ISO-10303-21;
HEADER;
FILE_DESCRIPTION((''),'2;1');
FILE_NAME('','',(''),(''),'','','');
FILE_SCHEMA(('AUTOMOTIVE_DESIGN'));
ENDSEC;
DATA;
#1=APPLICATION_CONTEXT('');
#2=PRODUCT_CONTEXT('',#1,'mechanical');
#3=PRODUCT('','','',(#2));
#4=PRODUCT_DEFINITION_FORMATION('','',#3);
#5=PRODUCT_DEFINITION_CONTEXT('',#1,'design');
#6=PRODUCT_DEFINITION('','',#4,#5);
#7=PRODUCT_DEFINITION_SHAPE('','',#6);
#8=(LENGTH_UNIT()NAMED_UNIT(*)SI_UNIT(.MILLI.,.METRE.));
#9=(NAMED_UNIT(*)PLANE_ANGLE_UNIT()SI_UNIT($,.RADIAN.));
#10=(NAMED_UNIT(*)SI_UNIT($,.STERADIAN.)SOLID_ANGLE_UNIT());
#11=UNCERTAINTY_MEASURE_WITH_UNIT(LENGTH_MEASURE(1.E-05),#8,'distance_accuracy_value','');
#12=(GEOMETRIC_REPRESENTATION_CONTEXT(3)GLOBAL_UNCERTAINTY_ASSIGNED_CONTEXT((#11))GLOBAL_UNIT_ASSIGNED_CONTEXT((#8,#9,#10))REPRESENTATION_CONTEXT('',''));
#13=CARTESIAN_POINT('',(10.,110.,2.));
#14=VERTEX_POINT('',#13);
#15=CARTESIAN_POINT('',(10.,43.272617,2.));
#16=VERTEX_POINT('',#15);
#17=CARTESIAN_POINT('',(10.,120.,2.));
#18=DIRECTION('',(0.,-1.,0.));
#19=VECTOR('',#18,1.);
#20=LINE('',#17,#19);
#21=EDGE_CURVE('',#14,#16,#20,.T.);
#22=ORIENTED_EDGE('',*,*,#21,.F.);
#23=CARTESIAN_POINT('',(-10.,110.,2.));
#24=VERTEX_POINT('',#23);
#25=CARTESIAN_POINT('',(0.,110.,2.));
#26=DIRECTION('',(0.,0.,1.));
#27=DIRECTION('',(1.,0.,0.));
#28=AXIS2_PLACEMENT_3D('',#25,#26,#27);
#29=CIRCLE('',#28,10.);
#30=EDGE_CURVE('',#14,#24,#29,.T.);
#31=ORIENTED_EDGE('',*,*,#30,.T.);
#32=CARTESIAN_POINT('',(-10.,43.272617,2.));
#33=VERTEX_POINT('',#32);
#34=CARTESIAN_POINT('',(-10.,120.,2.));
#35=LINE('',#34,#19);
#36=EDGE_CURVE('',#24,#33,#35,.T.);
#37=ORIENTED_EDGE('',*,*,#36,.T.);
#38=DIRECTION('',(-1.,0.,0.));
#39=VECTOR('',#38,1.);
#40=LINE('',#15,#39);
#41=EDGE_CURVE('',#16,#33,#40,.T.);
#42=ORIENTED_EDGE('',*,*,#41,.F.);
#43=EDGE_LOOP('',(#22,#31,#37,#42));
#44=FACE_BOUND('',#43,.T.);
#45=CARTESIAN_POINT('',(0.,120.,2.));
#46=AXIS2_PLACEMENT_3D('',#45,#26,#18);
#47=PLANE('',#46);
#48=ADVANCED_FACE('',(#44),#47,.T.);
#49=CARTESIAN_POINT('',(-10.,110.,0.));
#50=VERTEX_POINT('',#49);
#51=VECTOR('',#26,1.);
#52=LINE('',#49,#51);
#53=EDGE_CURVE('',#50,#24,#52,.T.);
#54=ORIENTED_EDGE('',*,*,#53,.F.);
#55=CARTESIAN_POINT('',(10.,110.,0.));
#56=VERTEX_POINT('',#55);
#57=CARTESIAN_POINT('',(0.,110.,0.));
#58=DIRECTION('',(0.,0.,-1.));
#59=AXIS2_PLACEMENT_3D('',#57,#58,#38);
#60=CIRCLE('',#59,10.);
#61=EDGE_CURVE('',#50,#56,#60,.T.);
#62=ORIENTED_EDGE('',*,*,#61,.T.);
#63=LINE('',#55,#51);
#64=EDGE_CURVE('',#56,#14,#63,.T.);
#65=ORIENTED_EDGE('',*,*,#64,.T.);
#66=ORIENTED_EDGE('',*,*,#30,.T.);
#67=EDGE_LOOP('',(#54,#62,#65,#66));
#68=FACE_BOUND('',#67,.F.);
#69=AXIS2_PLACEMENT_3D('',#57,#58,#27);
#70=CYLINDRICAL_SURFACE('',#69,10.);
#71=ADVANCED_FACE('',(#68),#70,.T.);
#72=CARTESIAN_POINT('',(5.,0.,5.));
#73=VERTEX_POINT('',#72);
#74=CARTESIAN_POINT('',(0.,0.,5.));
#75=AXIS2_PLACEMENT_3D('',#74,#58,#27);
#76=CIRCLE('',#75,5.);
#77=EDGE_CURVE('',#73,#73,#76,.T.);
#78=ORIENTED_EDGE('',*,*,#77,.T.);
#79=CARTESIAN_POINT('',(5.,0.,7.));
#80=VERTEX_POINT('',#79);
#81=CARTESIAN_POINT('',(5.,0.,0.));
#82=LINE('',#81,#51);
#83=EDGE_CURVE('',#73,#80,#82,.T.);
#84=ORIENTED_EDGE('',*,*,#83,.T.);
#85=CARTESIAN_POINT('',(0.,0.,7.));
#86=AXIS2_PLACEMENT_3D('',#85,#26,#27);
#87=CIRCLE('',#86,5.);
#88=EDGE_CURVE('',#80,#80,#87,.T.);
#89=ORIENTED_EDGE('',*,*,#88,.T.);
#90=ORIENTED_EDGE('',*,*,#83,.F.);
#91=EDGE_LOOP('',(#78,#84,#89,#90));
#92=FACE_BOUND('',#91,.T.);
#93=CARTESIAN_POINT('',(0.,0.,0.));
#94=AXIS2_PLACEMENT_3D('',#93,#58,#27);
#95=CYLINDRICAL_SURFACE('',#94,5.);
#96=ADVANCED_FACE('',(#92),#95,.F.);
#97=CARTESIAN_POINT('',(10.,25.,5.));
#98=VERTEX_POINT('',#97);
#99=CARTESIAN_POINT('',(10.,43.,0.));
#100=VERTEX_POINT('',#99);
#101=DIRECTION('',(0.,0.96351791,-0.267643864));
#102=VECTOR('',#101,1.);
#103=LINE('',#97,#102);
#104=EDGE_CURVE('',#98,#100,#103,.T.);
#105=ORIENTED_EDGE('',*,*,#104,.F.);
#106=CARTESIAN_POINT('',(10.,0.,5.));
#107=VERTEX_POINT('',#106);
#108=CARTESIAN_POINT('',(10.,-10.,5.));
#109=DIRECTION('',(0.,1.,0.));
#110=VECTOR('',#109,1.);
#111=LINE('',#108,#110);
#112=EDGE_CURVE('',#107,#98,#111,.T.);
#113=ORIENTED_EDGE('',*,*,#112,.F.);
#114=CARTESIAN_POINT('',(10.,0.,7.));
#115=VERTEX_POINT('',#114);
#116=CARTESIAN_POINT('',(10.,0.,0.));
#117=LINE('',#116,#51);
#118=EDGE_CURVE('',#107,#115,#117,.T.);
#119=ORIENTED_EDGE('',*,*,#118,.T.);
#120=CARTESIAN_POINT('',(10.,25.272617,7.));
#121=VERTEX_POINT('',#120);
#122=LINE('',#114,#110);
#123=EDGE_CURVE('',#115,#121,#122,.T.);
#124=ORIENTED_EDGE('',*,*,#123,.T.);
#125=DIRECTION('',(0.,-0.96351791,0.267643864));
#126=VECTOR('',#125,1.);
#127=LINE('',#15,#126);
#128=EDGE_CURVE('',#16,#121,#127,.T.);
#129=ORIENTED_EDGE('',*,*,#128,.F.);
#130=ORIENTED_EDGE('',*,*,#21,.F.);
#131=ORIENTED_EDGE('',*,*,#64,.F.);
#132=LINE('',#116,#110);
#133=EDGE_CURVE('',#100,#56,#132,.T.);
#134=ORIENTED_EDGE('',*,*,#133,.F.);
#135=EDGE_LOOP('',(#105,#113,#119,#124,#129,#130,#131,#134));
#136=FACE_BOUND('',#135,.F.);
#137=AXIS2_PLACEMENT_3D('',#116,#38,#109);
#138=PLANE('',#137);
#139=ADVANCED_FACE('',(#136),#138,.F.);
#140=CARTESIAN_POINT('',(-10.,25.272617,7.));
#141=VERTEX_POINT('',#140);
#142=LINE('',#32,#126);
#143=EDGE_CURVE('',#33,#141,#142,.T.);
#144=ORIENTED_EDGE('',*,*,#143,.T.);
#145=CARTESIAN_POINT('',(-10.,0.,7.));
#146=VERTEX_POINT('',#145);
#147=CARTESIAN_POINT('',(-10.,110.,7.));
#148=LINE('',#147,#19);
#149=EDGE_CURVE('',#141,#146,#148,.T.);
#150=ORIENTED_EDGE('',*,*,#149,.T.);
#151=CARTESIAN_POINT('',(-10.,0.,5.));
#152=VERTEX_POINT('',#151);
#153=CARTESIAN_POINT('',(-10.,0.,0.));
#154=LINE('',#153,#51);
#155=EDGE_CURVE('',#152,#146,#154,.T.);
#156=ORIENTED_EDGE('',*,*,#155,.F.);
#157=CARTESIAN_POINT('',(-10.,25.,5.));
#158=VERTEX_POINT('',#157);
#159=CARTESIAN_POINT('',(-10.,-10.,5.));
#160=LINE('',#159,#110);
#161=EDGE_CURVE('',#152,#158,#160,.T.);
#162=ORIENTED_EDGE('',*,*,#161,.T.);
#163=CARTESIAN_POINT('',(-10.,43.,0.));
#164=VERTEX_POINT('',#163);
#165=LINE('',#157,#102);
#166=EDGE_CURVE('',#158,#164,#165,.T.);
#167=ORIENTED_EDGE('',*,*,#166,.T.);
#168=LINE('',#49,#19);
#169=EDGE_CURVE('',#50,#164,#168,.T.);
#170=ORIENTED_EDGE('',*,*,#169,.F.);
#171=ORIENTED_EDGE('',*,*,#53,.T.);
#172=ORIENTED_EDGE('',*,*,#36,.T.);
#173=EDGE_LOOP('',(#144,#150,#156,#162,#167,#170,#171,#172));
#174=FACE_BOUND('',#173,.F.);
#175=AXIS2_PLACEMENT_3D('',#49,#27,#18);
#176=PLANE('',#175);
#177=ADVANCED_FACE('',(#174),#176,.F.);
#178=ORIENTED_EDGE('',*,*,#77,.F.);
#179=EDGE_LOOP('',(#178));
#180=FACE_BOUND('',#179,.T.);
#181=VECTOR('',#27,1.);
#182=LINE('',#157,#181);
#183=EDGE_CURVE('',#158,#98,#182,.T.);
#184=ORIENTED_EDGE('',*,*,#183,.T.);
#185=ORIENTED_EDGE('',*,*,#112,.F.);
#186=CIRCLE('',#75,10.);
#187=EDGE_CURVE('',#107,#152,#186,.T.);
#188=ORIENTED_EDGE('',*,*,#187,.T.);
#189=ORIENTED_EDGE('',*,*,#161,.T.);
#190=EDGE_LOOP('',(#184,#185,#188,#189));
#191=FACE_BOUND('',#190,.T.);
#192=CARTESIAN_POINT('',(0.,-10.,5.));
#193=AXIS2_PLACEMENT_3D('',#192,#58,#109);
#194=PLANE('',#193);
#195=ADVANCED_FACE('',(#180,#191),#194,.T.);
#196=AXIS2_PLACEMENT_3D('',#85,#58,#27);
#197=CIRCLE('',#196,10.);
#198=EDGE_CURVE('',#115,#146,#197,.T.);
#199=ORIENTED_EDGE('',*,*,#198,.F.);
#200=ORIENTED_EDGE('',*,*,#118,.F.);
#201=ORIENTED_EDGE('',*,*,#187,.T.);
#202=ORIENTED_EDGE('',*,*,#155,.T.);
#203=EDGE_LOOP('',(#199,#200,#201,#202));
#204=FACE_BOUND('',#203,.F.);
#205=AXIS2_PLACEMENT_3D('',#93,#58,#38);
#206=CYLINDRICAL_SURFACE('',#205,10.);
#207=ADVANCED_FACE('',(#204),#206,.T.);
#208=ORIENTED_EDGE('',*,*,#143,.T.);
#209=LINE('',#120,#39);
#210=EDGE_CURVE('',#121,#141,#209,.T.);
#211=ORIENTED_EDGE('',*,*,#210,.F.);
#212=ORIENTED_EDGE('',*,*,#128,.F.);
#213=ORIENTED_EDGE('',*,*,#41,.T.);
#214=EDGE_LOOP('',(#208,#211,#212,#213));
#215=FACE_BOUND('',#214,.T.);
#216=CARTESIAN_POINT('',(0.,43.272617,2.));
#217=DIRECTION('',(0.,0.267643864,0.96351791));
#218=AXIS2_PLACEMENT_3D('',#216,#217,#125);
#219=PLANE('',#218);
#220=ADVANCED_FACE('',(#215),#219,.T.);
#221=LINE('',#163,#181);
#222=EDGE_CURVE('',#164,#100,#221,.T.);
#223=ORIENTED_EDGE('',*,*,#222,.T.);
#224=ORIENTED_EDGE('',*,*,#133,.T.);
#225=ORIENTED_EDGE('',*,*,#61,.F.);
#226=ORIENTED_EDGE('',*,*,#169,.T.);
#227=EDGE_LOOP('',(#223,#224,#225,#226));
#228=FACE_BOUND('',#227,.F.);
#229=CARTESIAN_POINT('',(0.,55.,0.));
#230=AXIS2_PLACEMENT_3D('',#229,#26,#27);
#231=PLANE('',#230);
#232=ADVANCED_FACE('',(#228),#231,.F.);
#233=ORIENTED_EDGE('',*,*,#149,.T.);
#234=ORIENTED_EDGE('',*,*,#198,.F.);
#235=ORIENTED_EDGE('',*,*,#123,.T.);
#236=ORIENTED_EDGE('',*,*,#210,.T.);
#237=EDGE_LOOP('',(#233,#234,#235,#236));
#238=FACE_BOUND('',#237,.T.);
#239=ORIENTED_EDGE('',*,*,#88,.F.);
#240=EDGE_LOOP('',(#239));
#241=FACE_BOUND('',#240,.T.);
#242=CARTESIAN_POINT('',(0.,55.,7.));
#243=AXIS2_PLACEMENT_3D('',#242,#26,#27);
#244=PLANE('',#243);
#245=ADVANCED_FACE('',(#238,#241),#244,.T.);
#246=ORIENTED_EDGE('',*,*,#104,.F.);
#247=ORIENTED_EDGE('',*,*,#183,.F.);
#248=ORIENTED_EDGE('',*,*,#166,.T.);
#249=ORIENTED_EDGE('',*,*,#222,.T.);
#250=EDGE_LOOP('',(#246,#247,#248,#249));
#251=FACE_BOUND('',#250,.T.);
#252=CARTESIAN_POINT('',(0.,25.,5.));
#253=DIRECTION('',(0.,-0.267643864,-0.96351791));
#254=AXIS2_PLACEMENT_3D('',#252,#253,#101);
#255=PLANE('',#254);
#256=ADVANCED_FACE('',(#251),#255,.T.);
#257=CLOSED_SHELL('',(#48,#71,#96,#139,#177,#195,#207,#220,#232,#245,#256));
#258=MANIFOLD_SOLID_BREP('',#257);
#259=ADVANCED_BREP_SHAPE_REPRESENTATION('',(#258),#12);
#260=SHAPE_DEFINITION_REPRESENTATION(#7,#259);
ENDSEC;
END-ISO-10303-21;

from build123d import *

# Parameters (mm, degrees)
F0_R     = 5
F1_DEPTH = 7
F3_DEPTH = 10


with BuildPart() as f1:
    # F0 (on Top) → F1 (new body)
    with BuildSketch(Plane.XY):
        with BuildLine():
            Line((-10, 110), (-10, 0))
            ThreePointArc((-10, 0), (0, -10), (10, 0))
            Line((10, 0), (10, 110))
            ThreePointArc((10, 110), (0, 120), (-10, 110))
        make_face()
        Circle(F0_R, mode=Mode.SUBTRACT)
    extrude(amount=F1_DEPTH)

    # F2 (on Right) → F3 (intersect, symmetric)
    with BuildSketch(Plane.YZ):
        Polygon((-10, 7), (-10, 5), (25, 5), (43, 0), (120, 0), (120, 2), (43.272617, 2), (25.272617, 7), align=None)
    extrude(amount=F3_DEPTH, both=True, mode=Mode.INTERSECT)


solid = f1.part
